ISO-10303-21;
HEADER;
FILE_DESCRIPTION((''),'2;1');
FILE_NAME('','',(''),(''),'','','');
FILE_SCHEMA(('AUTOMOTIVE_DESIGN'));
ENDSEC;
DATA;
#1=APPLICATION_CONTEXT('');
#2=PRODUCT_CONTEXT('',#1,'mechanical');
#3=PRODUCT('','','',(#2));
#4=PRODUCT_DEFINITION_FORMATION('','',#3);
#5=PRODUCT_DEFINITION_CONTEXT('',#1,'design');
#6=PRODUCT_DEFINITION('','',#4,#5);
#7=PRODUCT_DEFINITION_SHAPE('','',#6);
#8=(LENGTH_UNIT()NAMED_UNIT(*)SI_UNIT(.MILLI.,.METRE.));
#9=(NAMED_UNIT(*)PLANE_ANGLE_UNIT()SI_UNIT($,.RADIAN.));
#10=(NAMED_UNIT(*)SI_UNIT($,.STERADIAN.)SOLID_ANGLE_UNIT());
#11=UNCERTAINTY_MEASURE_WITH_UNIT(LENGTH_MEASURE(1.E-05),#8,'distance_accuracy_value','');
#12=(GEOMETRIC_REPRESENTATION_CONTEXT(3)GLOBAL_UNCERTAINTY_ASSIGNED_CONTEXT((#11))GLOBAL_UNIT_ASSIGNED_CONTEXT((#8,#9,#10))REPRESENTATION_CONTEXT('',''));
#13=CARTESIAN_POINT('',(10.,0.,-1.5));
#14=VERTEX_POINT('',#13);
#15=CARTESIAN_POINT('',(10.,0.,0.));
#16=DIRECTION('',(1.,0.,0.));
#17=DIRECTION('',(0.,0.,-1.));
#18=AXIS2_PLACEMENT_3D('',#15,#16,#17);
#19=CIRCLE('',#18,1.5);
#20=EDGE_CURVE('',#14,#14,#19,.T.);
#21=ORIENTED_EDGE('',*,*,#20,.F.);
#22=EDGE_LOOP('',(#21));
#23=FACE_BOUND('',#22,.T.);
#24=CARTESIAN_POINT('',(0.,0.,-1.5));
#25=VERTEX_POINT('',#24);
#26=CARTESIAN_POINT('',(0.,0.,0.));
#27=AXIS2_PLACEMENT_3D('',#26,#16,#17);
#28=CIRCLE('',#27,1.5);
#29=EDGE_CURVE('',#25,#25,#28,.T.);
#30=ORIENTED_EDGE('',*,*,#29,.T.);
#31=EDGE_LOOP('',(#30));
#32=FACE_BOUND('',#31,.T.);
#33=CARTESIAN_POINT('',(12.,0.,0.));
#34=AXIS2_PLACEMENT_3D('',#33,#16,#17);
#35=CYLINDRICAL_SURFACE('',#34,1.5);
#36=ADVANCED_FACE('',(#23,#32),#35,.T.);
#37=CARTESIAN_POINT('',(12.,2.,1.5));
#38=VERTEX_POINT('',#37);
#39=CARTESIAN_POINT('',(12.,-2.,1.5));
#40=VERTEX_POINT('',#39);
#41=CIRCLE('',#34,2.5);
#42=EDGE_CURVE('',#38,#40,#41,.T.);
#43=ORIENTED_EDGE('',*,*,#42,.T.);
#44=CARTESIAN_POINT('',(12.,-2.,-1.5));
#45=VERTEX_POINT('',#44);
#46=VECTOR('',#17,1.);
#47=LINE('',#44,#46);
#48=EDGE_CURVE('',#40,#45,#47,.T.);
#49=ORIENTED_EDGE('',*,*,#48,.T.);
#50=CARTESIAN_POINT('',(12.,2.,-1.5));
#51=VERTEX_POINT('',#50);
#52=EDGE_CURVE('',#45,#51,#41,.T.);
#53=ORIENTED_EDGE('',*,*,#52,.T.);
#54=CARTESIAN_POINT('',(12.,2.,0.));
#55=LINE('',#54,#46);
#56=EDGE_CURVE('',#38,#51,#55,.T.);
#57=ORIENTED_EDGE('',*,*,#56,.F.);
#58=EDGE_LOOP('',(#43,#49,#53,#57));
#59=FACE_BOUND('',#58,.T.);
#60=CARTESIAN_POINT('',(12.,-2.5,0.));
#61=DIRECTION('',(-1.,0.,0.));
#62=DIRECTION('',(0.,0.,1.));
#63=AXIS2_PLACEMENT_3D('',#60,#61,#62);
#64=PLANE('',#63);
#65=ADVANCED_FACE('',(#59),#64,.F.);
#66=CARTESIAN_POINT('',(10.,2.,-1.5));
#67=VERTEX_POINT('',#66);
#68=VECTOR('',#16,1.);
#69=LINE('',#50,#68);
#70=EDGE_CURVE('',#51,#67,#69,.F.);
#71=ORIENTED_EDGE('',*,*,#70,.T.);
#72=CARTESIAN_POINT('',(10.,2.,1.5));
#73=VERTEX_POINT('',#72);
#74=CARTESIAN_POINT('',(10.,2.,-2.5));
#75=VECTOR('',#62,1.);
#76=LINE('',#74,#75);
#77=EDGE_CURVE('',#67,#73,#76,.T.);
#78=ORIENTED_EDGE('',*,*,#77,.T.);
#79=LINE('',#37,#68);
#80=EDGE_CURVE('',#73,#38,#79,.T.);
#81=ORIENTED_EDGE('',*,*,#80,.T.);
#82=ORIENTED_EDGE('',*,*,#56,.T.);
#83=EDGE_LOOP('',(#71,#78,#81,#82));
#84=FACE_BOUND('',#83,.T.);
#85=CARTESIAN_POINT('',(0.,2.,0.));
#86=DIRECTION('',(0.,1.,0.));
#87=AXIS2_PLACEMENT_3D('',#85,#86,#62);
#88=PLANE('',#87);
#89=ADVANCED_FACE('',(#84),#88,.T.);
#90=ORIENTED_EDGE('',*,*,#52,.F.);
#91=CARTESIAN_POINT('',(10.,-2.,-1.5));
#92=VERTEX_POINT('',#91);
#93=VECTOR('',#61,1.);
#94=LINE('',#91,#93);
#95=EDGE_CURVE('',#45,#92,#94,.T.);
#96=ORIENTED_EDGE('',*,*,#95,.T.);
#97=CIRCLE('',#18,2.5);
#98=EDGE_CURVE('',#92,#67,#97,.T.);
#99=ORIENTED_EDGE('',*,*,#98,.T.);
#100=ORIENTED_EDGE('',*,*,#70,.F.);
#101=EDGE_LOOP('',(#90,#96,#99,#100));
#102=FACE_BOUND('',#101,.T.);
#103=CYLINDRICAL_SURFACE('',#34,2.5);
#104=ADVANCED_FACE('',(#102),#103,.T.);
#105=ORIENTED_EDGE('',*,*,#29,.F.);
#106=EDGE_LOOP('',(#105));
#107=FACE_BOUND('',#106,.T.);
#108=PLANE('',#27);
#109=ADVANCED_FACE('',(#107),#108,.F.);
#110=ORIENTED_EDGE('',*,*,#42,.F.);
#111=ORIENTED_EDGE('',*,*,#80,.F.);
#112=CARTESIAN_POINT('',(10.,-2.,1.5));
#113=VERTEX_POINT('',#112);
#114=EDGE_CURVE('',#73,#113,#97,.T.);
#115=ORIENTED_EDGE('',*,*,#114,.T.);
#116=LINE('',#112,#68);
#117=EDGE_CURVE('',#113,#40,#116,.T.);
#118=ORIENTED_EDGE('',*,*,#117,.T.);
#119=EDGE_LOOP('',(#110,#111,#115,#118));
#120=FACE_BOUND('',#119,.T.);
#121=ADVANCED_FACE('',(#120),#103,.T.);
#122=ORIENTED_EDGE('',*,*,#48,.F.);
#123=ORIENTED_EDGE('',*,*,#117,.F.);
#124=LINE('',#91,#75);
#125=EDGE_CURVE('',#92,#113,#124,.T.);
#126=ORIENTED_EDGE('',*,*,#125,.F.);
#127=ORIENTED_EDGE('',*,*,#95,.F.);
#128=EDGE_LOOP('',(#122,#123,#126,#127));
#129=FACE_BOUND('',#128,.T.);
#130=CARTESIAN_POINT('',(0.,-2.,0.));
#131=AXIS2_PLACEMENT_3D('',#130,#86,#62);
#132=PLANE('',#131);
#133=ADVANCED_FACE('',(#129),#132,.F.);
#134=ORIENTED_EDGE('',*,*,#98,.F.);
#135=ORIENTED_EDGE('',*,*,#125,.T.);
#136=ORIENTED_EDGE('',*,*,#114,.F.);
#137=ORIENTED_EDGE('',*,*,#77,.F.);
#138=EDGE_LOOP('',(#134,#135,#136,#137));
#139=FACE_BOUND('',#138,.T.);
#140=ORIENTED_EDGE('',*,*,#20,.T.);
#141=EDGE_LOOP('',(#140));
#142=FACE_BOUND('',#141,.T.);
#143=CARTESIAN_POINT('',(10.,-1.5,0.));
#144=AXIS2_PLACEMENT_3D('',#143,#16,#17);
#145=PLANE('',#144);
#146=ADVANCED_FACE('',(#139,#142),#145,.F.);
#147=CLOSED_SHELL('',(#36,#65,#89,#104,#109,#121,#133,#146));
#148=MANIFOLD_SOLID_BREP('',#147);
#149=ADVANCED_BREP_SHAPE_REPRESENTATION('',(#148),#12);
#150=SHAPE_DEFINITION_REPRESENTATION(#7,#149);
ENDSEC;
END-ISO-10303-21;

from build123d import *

# Parameters (mm, degrees)
SKETCH2_W          = 2
SKETCH2_H          = 5
CUT_EXTRUDE1_DEPTH = 1
SKETCH4_W          = 2
SKETCH4_H          = 3
CUT_EXTRUDE2_DEPTH = 1


with BuildPart() as part:
    # Sketch1 → Revolve1 (revolve)
    with BuildSketch(Plane.XY, mode=Mode.PRIVATE) as revolve1_sk:
        Polygon((0, 0), (0, -1.5), (10, -1.5), (10, -2.5), (12, -2.5), (12, 0), align=None)
    revolve(revolve1_sk.sketch.rotate(Axis((12, 0, 0), (-1, 0, 0)), 270), axis=Axis((12, 0, 0), (-1, 0, 0)))

    # Sketch2 → Cut-Extrude1 (cut)
    with BuildSketch(Plane(origin=(0, 3, 0), x_dir=(1, 0, 0), z_dir=(0, 1, 0))):
        with Locations((11, 0)):
            Rectangle(SKETCH2_W, SKETCH2_H)
    extrude(amount=-CUT_EXTRUDE1_DEPTH, mode=Mode.SUBTRACT)

    # Sketch4 → Cut-Extrude2 (cut)
    with BuildSketch(Plane(origin=(0, -3, 0), x_dir=(1, 0, 0), z_dir=(0, 1, 0))):
        with Locations((11, 0)):
            Rectangle(SKETCH4_W, SKETCH4_H)
    extrude(amount=CUT_EXTRUDE2_DEPTH, mode=Mode.SUBTRACT)


solid = part.part
